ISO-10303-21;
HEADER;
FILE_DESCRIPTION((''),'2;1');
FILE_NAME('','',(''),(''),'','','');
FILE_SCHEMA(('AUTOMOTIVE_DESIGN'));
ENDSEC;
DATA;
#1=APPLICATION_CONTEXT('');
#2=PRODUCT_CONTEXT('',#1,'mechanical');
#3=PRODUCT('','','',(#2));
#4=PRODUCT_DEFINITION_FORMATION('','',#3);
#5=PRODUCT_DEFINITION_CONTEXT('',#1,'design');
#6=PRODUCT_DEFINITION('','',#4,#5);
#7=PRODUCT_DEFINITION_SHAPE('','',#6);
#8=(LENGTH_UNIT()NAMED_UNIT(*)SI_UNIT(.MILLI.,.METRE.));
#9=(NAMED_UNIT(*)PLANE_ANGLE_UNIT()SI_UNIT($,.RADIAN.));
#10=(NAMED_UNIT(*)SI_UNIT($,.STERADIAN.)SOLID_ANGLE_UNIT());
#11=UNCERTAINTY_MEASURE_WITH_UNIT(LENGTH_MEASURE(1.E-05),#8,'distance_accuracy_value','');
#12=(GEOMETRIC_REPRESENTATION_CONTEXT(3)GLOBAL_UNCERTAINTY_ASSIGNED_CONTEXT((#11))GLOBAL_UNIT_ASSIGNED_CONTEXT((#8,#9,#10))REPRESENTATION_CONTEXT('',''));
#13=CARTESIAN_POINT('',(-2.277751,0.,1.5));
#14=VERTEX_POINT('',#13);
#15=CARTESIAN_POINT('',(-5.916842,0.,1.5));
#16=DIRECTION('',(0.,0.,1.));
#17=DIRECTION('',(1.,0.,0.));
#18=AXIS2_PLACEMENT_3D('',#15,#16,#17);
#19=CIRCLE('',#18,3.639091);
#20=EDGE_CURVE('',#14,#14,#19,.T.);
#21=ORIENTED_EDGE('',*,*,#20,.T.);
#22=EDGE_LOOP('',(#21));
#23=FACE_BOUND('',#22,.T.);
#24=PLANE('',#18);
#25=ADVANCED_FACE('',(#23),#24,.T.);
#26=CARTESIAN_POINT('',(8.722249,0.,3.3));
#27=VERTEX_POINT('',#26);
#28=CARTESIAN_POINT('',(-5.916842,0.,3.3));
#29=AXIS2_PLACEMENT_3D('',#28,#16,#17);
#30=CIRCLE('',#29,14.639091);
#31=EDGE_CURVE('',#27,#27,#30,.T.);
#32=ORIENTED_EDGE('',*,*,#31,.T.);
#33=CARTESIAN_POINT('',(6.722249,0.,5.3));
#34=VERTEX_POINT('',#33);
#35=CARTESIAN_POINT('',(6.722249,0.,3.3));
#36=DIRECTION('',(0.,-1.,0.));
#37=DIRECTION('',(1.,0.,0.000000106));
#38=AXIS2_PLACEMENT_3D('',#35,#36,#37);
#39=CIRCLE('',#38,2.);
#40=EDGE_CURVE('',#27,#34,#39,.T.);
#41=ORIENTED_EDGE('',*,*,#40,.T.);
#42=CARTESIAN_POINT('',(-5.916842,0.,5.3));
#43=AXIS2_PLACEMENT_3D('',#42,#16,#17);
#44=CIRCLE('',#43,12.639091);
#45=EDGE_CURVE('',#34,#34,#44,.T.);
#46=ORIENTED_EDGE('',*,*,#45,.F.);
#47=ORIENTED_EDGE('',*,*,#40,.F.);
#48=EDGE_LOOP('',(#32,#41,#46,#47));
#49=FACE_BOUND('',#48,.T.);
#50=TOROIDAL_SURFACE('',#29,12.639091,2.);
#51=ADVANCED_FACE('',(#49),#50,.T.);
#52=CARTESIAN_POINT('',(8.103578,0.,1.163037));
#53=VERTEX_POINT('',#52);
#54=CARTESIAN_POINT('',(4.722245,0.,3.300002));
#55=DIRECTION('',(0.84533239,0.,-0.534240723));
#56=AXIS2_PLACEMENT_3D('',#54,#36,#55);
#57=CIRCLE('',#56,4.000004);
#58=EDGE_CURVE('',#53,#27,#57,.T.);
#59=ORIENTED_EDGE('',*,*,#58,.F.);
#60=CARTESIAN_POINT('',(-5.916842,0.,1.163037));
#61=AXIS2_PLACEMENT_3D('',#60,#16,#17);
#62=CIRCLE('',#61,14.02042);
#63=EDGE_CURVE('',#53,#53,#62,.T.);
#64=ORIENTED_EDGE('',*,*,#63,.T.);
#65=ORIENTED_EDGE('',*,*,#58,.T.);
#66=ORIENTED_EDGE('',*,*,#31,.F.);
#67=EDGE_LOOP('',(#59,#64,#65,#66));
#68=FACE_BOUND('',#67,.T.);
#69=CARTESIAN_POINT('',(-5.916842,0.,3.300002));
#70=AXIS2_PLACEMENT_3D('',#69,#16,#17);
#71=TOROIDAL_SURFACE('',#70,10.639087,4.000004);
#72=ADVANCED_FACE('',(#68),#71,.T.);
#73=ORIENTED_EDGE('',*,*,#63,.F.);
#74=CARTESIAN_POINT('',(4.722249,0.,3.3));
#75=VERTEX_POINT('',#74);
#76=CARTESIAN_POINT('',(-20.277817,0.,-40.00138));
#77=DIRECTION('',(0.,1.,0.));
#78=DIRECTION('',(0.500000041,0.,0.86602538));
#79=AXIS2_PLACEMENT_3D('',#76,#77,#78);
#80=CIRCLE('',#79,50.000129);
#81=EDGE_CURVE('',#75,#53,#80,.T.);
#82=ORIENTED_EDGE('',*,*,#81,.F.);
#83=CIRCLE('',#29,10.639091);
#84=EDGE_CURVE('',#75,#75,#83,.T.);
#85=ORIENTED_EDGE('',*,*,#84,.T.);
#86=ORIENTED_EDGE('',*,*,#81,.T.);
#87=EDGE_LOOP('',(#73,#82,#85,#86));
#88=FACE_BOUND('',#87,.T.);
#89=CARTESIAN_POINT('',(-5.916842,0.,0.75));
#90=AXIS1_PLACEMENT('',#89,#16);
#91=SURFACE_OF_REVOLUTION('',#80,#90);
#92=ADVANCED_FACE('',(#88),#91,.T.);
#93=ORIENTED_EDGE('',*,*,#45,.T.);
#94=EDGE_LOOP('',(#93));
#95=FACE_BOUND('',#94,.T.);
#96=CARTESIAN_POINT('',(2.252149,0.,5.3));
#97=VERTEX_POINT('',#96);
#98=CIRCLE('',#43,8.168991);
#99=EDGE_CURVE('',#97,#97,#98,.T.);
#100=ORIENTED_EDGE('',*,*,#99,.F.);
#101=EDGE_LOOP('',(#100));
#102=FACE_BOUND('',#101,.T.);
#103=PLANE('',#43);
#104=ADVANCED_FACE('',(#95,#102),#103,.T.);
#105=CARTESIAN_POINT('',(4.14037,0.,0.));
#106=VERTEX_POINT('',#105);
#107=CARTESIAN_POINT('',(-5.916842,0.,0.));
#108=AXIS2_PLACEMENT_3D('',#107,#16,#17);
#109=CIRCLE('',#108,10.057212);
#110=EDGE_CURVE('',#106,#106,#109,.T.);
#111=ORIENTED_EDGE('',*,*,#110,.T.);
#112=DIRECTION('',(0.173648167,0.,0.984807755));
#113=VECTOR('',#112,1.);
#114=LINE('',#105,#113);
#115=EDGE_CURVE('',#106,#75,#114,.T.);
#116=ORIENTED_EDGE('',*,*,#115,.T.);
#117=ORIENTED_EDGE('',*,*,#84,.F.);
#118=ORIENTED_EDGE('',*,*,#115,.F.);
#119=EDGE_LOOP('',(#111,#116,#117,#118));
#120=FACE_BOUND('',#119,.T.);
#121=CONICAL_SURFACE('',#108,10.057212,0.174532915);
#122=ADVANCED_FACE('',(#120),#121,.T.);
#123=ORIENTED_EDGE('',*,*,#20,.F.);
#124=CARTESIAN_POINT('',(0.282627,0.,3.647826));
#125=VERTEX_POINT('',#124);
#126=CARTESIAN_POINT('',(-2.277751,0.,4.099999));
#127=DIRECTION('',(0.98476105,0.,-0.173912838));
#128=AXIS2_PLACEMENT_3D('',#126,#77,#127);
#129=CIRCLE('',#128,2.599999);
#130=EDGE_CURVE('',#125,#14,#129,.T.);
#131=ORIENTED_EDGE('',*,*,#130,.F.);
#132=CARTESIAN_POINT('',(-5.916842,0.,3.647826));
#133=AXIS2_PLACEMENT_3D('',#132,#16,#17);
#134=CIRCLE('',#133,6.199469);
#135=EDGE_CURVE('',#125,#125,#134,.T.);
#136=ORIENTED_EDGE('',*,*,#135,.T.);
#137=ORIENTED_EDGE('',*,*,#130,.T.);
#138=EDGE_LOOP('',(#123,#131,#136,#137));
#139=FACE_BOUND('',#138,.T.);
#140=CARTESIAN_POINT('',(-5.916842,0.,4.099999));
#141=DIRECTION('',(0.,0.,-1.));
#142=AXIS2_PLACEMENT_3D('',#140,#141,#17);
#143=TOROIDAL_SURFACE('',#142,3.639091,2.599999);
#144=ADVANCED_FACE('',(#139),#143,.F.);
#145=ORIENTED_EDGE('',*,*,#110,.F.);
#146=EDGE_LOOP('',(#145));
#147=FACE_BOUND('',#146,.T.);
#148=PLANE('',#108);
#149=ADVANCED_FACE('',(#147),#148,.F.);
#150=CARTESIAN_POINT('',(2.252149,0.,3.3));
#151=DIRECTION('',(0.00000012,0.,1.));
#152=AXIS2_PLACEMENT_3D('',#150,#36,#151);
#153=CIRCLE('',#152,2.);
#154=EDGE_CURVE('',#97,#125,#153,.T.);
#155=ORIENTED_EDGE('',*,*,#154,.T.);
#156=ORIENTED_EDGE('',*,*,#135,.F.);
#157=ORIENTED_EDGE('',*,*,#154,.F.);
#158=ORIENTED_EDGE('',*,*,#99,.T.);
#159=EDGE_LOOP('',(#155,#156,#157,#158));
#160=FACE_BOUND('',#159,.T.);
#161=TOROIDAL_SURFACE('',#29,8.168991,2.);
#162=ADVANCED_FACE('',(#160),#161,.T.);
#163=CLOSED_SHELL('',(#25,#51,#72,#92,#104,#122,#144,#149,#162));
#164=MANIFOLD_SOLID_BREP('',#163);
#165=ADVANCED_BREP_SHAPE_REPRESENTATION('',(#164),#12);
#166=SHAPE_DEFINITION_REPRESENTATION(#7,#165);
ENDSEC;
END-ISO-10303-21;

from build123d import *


with BuildPart() as f1:
    # F0 (on Front) → F1 (revolve)
    with BuildSketch(Plane.XZ):
        with BuildLine():
            Line((-5.916842, 0), (4.14037, 0))
            Line((4.14037, 0), (4.722249, 3.3))
            ThreePointArc((4.722249, 3.3), (6.434292, 2.265345), (8.103578, 1.163037))
            ThreePointArc((8.103578, 1.163037), (8.564469, 2.187641), (8.722249, 3.3))
            ThreePointArc((8.722249, 3.3), (8.136462, 4.714214), (6.722249, 5.3))
            Line((6.722249, 5.3), (2.252149, 5.3))
            ThreePointArc((2.252149, 5.3), (0.96678, 4.832262), (0.282627, 3.647826))
            ThreePointArc((0.282627, 3.647826), (-0.606771, 2.10806), (-2.277751, 1.5))
            Line((-2.277751, 1.5), (-5.916842, 1.5))
            Line((-5.916842, 1.5), (-5.916842, 0))
        make_face()
    revolve(axis=Axis((-5.916842, 0, 0.75), (0, 0, 1)))


solid = f1.part
